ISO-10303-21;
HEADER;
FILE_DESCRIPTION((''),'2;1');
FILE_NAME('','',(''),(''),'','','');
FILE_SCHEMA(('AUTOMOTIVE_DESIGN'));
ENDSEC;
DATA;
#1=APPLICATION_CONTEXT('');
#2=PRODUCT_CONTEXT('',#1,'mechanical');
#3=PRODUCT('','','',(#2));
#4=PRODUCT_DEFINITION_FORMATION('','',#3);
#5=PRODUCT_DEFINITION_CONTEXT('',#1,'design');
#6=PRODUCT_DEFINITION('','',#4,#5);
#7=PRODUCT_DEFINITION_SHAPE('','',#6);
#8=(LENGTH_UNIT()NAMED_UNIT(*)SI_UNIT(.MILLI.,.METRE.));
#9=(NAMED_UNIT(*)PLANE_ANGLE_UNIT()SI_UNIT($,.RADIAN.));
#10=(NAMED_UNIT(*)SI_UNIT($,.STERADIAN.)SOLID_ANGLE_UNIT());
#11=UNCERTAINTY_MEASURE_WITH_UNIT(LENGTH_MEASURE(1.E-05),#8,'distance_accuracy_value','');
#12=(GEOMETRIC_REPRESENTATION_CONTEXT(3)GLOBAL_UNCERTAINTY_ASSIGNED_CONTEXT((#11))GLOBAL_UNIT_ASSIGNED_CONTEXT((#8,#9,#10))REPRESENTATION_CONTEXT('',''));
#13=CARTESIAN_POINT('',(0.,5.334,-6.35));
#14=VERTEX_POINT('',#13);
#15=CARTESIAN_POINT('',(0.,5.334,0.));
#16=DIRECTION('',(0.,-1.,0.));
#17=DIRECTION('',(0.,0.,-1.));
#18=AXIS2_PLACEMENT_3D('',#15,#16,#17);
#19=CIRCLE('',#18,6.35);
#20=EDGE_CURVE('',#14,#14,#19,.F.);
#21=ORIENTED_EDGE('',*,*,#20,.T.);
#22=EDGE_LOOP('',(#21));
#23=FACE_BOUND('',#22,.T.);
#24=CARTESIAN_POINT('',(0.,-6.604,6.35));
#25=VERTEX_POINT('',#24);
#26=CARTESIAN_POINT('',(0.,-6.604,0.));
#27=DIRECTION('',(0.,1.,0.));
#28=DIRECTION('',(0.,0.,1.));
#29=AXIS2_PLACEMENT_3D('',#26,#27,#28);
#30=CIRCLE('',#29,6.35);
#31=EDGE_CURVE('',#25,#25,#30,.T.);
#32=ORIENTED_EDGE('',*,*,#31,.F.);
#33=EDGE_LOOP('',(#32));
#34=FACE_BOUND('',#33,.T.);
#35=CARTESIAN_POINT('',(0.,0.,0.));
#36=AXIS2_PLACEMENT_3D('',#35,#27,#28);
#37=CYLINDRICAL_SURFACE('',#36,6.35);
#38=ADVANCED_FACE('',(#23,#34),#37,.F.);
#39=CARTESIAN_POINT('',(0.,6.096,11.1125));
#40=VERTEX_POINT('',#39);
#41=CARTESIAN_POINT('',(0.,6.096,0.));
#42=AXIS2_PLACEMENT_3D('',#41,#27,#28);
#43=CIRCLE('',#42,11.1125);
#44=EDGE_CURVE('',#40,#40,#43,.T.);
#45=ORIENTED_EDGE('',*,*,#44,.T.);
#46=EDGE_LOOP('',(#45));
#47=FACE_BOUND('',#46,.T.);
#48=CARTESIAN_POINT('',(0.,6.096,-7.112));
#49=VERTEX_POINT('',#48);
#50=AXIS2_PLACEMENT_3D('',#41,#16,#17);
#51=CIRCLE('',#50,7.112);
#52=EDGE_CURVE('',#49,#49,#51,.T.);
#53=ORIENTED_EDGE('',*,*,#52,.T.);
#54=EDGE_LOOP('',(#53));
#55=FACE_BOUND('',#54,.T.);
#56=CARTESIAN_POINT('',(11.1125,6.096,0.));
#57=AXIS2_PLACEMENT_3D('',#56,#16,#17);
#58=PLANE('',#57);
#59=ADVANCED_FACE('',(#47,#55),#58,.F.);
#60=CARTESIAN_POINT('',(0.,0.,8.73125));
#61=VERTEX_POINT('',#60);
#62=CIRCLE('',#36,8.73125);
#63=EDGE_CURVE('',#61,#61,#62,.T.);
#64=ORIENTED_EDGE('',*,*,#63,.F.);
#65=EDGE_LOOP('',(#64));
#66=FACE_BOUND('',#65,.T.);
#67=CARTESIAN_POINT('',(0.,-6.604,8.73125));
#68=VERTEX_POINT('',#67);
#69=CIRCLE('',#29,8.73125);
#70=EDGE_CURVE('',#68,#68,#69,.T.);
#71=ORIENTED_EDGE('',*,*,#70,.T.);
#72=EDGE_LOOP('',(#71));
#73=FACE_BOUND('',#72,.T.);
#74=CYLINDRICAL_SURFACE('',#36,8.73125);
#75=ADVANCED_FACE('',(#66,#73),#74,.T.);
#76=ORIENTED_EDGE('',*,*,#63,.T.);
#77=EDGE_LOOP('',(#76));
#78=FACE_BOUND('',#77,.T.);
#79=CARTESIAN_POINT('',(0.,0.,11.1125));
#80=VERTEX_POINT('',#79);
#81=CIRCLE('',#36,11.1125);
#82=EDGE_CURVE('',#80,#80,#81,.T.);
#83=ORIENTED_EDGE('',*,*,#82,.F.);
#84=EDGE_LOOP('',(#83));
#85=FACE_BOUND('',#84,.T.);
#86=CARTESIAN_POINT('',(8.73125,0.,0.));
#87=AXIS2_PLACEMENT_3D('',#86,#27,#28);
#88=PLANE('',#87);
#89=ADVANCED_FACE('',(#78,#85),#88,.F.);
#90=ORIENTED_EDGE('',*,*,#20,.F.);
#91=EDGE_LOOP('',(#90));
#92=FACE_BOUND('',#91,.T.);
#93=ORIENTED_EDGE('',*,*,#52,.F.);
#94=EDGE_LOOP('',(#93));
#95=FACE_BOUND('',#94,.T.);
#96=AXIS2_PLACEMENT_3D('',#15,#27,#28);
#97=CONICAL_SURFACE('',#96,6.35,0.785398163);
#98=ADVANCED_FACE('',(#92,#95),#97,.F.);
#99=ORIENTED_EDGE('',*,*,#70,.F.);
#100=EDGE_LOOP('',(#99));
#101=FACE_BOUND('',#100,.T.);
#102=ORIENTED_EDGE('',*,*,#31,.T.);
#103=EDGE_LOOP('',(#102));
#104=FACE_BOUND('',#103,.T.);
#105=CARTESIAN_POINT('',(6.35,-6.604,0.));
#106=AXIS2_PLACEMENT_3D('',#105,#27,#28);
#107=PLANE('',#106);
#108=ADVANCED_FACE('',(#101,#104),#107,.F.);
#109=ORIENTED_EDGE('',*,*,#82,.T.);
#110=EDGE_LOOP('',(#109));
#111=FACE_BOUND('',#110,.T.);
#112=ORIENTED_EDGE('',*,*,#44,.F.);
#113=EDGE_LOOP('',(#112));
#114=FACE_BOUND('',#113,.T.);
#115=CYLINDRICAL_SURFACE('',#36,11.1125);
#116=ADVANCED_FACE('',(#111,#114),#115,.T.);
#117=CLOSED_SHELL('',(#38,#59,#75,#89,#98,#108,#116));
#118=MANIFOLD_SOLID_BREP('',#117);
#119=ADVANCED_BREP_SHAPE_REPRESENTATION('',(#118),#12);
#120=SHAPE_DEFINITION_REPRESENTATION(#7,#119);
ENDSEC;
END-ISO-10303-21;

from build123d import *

# Parameters (mm, degrees)
CHAMFER1_SIZE = 0.762


with BuildPart() as part:
    # Sketch1 → Revolve1 (revolve)
    with BuildSketch(Plane.XY):
        Polygon((8.73125, 0), (11.1125, 0), (11.1125, 6.096), (6.35, 6.096), (6.35, -6.604), (8.73125, -6.604), align=None)
    revolve(axis=Axis((0, 0, 0), (0, -1, 0)))

    # Chamfer1
    chamfer1_edges = [part.edges().sort_by_distance(p)[0] for p in [
        (-6.35, 6.096, 0),
    ]]
    chamfer(chamfer1_edges, length=CHAMFER1_SIZE)


solid = part.part
